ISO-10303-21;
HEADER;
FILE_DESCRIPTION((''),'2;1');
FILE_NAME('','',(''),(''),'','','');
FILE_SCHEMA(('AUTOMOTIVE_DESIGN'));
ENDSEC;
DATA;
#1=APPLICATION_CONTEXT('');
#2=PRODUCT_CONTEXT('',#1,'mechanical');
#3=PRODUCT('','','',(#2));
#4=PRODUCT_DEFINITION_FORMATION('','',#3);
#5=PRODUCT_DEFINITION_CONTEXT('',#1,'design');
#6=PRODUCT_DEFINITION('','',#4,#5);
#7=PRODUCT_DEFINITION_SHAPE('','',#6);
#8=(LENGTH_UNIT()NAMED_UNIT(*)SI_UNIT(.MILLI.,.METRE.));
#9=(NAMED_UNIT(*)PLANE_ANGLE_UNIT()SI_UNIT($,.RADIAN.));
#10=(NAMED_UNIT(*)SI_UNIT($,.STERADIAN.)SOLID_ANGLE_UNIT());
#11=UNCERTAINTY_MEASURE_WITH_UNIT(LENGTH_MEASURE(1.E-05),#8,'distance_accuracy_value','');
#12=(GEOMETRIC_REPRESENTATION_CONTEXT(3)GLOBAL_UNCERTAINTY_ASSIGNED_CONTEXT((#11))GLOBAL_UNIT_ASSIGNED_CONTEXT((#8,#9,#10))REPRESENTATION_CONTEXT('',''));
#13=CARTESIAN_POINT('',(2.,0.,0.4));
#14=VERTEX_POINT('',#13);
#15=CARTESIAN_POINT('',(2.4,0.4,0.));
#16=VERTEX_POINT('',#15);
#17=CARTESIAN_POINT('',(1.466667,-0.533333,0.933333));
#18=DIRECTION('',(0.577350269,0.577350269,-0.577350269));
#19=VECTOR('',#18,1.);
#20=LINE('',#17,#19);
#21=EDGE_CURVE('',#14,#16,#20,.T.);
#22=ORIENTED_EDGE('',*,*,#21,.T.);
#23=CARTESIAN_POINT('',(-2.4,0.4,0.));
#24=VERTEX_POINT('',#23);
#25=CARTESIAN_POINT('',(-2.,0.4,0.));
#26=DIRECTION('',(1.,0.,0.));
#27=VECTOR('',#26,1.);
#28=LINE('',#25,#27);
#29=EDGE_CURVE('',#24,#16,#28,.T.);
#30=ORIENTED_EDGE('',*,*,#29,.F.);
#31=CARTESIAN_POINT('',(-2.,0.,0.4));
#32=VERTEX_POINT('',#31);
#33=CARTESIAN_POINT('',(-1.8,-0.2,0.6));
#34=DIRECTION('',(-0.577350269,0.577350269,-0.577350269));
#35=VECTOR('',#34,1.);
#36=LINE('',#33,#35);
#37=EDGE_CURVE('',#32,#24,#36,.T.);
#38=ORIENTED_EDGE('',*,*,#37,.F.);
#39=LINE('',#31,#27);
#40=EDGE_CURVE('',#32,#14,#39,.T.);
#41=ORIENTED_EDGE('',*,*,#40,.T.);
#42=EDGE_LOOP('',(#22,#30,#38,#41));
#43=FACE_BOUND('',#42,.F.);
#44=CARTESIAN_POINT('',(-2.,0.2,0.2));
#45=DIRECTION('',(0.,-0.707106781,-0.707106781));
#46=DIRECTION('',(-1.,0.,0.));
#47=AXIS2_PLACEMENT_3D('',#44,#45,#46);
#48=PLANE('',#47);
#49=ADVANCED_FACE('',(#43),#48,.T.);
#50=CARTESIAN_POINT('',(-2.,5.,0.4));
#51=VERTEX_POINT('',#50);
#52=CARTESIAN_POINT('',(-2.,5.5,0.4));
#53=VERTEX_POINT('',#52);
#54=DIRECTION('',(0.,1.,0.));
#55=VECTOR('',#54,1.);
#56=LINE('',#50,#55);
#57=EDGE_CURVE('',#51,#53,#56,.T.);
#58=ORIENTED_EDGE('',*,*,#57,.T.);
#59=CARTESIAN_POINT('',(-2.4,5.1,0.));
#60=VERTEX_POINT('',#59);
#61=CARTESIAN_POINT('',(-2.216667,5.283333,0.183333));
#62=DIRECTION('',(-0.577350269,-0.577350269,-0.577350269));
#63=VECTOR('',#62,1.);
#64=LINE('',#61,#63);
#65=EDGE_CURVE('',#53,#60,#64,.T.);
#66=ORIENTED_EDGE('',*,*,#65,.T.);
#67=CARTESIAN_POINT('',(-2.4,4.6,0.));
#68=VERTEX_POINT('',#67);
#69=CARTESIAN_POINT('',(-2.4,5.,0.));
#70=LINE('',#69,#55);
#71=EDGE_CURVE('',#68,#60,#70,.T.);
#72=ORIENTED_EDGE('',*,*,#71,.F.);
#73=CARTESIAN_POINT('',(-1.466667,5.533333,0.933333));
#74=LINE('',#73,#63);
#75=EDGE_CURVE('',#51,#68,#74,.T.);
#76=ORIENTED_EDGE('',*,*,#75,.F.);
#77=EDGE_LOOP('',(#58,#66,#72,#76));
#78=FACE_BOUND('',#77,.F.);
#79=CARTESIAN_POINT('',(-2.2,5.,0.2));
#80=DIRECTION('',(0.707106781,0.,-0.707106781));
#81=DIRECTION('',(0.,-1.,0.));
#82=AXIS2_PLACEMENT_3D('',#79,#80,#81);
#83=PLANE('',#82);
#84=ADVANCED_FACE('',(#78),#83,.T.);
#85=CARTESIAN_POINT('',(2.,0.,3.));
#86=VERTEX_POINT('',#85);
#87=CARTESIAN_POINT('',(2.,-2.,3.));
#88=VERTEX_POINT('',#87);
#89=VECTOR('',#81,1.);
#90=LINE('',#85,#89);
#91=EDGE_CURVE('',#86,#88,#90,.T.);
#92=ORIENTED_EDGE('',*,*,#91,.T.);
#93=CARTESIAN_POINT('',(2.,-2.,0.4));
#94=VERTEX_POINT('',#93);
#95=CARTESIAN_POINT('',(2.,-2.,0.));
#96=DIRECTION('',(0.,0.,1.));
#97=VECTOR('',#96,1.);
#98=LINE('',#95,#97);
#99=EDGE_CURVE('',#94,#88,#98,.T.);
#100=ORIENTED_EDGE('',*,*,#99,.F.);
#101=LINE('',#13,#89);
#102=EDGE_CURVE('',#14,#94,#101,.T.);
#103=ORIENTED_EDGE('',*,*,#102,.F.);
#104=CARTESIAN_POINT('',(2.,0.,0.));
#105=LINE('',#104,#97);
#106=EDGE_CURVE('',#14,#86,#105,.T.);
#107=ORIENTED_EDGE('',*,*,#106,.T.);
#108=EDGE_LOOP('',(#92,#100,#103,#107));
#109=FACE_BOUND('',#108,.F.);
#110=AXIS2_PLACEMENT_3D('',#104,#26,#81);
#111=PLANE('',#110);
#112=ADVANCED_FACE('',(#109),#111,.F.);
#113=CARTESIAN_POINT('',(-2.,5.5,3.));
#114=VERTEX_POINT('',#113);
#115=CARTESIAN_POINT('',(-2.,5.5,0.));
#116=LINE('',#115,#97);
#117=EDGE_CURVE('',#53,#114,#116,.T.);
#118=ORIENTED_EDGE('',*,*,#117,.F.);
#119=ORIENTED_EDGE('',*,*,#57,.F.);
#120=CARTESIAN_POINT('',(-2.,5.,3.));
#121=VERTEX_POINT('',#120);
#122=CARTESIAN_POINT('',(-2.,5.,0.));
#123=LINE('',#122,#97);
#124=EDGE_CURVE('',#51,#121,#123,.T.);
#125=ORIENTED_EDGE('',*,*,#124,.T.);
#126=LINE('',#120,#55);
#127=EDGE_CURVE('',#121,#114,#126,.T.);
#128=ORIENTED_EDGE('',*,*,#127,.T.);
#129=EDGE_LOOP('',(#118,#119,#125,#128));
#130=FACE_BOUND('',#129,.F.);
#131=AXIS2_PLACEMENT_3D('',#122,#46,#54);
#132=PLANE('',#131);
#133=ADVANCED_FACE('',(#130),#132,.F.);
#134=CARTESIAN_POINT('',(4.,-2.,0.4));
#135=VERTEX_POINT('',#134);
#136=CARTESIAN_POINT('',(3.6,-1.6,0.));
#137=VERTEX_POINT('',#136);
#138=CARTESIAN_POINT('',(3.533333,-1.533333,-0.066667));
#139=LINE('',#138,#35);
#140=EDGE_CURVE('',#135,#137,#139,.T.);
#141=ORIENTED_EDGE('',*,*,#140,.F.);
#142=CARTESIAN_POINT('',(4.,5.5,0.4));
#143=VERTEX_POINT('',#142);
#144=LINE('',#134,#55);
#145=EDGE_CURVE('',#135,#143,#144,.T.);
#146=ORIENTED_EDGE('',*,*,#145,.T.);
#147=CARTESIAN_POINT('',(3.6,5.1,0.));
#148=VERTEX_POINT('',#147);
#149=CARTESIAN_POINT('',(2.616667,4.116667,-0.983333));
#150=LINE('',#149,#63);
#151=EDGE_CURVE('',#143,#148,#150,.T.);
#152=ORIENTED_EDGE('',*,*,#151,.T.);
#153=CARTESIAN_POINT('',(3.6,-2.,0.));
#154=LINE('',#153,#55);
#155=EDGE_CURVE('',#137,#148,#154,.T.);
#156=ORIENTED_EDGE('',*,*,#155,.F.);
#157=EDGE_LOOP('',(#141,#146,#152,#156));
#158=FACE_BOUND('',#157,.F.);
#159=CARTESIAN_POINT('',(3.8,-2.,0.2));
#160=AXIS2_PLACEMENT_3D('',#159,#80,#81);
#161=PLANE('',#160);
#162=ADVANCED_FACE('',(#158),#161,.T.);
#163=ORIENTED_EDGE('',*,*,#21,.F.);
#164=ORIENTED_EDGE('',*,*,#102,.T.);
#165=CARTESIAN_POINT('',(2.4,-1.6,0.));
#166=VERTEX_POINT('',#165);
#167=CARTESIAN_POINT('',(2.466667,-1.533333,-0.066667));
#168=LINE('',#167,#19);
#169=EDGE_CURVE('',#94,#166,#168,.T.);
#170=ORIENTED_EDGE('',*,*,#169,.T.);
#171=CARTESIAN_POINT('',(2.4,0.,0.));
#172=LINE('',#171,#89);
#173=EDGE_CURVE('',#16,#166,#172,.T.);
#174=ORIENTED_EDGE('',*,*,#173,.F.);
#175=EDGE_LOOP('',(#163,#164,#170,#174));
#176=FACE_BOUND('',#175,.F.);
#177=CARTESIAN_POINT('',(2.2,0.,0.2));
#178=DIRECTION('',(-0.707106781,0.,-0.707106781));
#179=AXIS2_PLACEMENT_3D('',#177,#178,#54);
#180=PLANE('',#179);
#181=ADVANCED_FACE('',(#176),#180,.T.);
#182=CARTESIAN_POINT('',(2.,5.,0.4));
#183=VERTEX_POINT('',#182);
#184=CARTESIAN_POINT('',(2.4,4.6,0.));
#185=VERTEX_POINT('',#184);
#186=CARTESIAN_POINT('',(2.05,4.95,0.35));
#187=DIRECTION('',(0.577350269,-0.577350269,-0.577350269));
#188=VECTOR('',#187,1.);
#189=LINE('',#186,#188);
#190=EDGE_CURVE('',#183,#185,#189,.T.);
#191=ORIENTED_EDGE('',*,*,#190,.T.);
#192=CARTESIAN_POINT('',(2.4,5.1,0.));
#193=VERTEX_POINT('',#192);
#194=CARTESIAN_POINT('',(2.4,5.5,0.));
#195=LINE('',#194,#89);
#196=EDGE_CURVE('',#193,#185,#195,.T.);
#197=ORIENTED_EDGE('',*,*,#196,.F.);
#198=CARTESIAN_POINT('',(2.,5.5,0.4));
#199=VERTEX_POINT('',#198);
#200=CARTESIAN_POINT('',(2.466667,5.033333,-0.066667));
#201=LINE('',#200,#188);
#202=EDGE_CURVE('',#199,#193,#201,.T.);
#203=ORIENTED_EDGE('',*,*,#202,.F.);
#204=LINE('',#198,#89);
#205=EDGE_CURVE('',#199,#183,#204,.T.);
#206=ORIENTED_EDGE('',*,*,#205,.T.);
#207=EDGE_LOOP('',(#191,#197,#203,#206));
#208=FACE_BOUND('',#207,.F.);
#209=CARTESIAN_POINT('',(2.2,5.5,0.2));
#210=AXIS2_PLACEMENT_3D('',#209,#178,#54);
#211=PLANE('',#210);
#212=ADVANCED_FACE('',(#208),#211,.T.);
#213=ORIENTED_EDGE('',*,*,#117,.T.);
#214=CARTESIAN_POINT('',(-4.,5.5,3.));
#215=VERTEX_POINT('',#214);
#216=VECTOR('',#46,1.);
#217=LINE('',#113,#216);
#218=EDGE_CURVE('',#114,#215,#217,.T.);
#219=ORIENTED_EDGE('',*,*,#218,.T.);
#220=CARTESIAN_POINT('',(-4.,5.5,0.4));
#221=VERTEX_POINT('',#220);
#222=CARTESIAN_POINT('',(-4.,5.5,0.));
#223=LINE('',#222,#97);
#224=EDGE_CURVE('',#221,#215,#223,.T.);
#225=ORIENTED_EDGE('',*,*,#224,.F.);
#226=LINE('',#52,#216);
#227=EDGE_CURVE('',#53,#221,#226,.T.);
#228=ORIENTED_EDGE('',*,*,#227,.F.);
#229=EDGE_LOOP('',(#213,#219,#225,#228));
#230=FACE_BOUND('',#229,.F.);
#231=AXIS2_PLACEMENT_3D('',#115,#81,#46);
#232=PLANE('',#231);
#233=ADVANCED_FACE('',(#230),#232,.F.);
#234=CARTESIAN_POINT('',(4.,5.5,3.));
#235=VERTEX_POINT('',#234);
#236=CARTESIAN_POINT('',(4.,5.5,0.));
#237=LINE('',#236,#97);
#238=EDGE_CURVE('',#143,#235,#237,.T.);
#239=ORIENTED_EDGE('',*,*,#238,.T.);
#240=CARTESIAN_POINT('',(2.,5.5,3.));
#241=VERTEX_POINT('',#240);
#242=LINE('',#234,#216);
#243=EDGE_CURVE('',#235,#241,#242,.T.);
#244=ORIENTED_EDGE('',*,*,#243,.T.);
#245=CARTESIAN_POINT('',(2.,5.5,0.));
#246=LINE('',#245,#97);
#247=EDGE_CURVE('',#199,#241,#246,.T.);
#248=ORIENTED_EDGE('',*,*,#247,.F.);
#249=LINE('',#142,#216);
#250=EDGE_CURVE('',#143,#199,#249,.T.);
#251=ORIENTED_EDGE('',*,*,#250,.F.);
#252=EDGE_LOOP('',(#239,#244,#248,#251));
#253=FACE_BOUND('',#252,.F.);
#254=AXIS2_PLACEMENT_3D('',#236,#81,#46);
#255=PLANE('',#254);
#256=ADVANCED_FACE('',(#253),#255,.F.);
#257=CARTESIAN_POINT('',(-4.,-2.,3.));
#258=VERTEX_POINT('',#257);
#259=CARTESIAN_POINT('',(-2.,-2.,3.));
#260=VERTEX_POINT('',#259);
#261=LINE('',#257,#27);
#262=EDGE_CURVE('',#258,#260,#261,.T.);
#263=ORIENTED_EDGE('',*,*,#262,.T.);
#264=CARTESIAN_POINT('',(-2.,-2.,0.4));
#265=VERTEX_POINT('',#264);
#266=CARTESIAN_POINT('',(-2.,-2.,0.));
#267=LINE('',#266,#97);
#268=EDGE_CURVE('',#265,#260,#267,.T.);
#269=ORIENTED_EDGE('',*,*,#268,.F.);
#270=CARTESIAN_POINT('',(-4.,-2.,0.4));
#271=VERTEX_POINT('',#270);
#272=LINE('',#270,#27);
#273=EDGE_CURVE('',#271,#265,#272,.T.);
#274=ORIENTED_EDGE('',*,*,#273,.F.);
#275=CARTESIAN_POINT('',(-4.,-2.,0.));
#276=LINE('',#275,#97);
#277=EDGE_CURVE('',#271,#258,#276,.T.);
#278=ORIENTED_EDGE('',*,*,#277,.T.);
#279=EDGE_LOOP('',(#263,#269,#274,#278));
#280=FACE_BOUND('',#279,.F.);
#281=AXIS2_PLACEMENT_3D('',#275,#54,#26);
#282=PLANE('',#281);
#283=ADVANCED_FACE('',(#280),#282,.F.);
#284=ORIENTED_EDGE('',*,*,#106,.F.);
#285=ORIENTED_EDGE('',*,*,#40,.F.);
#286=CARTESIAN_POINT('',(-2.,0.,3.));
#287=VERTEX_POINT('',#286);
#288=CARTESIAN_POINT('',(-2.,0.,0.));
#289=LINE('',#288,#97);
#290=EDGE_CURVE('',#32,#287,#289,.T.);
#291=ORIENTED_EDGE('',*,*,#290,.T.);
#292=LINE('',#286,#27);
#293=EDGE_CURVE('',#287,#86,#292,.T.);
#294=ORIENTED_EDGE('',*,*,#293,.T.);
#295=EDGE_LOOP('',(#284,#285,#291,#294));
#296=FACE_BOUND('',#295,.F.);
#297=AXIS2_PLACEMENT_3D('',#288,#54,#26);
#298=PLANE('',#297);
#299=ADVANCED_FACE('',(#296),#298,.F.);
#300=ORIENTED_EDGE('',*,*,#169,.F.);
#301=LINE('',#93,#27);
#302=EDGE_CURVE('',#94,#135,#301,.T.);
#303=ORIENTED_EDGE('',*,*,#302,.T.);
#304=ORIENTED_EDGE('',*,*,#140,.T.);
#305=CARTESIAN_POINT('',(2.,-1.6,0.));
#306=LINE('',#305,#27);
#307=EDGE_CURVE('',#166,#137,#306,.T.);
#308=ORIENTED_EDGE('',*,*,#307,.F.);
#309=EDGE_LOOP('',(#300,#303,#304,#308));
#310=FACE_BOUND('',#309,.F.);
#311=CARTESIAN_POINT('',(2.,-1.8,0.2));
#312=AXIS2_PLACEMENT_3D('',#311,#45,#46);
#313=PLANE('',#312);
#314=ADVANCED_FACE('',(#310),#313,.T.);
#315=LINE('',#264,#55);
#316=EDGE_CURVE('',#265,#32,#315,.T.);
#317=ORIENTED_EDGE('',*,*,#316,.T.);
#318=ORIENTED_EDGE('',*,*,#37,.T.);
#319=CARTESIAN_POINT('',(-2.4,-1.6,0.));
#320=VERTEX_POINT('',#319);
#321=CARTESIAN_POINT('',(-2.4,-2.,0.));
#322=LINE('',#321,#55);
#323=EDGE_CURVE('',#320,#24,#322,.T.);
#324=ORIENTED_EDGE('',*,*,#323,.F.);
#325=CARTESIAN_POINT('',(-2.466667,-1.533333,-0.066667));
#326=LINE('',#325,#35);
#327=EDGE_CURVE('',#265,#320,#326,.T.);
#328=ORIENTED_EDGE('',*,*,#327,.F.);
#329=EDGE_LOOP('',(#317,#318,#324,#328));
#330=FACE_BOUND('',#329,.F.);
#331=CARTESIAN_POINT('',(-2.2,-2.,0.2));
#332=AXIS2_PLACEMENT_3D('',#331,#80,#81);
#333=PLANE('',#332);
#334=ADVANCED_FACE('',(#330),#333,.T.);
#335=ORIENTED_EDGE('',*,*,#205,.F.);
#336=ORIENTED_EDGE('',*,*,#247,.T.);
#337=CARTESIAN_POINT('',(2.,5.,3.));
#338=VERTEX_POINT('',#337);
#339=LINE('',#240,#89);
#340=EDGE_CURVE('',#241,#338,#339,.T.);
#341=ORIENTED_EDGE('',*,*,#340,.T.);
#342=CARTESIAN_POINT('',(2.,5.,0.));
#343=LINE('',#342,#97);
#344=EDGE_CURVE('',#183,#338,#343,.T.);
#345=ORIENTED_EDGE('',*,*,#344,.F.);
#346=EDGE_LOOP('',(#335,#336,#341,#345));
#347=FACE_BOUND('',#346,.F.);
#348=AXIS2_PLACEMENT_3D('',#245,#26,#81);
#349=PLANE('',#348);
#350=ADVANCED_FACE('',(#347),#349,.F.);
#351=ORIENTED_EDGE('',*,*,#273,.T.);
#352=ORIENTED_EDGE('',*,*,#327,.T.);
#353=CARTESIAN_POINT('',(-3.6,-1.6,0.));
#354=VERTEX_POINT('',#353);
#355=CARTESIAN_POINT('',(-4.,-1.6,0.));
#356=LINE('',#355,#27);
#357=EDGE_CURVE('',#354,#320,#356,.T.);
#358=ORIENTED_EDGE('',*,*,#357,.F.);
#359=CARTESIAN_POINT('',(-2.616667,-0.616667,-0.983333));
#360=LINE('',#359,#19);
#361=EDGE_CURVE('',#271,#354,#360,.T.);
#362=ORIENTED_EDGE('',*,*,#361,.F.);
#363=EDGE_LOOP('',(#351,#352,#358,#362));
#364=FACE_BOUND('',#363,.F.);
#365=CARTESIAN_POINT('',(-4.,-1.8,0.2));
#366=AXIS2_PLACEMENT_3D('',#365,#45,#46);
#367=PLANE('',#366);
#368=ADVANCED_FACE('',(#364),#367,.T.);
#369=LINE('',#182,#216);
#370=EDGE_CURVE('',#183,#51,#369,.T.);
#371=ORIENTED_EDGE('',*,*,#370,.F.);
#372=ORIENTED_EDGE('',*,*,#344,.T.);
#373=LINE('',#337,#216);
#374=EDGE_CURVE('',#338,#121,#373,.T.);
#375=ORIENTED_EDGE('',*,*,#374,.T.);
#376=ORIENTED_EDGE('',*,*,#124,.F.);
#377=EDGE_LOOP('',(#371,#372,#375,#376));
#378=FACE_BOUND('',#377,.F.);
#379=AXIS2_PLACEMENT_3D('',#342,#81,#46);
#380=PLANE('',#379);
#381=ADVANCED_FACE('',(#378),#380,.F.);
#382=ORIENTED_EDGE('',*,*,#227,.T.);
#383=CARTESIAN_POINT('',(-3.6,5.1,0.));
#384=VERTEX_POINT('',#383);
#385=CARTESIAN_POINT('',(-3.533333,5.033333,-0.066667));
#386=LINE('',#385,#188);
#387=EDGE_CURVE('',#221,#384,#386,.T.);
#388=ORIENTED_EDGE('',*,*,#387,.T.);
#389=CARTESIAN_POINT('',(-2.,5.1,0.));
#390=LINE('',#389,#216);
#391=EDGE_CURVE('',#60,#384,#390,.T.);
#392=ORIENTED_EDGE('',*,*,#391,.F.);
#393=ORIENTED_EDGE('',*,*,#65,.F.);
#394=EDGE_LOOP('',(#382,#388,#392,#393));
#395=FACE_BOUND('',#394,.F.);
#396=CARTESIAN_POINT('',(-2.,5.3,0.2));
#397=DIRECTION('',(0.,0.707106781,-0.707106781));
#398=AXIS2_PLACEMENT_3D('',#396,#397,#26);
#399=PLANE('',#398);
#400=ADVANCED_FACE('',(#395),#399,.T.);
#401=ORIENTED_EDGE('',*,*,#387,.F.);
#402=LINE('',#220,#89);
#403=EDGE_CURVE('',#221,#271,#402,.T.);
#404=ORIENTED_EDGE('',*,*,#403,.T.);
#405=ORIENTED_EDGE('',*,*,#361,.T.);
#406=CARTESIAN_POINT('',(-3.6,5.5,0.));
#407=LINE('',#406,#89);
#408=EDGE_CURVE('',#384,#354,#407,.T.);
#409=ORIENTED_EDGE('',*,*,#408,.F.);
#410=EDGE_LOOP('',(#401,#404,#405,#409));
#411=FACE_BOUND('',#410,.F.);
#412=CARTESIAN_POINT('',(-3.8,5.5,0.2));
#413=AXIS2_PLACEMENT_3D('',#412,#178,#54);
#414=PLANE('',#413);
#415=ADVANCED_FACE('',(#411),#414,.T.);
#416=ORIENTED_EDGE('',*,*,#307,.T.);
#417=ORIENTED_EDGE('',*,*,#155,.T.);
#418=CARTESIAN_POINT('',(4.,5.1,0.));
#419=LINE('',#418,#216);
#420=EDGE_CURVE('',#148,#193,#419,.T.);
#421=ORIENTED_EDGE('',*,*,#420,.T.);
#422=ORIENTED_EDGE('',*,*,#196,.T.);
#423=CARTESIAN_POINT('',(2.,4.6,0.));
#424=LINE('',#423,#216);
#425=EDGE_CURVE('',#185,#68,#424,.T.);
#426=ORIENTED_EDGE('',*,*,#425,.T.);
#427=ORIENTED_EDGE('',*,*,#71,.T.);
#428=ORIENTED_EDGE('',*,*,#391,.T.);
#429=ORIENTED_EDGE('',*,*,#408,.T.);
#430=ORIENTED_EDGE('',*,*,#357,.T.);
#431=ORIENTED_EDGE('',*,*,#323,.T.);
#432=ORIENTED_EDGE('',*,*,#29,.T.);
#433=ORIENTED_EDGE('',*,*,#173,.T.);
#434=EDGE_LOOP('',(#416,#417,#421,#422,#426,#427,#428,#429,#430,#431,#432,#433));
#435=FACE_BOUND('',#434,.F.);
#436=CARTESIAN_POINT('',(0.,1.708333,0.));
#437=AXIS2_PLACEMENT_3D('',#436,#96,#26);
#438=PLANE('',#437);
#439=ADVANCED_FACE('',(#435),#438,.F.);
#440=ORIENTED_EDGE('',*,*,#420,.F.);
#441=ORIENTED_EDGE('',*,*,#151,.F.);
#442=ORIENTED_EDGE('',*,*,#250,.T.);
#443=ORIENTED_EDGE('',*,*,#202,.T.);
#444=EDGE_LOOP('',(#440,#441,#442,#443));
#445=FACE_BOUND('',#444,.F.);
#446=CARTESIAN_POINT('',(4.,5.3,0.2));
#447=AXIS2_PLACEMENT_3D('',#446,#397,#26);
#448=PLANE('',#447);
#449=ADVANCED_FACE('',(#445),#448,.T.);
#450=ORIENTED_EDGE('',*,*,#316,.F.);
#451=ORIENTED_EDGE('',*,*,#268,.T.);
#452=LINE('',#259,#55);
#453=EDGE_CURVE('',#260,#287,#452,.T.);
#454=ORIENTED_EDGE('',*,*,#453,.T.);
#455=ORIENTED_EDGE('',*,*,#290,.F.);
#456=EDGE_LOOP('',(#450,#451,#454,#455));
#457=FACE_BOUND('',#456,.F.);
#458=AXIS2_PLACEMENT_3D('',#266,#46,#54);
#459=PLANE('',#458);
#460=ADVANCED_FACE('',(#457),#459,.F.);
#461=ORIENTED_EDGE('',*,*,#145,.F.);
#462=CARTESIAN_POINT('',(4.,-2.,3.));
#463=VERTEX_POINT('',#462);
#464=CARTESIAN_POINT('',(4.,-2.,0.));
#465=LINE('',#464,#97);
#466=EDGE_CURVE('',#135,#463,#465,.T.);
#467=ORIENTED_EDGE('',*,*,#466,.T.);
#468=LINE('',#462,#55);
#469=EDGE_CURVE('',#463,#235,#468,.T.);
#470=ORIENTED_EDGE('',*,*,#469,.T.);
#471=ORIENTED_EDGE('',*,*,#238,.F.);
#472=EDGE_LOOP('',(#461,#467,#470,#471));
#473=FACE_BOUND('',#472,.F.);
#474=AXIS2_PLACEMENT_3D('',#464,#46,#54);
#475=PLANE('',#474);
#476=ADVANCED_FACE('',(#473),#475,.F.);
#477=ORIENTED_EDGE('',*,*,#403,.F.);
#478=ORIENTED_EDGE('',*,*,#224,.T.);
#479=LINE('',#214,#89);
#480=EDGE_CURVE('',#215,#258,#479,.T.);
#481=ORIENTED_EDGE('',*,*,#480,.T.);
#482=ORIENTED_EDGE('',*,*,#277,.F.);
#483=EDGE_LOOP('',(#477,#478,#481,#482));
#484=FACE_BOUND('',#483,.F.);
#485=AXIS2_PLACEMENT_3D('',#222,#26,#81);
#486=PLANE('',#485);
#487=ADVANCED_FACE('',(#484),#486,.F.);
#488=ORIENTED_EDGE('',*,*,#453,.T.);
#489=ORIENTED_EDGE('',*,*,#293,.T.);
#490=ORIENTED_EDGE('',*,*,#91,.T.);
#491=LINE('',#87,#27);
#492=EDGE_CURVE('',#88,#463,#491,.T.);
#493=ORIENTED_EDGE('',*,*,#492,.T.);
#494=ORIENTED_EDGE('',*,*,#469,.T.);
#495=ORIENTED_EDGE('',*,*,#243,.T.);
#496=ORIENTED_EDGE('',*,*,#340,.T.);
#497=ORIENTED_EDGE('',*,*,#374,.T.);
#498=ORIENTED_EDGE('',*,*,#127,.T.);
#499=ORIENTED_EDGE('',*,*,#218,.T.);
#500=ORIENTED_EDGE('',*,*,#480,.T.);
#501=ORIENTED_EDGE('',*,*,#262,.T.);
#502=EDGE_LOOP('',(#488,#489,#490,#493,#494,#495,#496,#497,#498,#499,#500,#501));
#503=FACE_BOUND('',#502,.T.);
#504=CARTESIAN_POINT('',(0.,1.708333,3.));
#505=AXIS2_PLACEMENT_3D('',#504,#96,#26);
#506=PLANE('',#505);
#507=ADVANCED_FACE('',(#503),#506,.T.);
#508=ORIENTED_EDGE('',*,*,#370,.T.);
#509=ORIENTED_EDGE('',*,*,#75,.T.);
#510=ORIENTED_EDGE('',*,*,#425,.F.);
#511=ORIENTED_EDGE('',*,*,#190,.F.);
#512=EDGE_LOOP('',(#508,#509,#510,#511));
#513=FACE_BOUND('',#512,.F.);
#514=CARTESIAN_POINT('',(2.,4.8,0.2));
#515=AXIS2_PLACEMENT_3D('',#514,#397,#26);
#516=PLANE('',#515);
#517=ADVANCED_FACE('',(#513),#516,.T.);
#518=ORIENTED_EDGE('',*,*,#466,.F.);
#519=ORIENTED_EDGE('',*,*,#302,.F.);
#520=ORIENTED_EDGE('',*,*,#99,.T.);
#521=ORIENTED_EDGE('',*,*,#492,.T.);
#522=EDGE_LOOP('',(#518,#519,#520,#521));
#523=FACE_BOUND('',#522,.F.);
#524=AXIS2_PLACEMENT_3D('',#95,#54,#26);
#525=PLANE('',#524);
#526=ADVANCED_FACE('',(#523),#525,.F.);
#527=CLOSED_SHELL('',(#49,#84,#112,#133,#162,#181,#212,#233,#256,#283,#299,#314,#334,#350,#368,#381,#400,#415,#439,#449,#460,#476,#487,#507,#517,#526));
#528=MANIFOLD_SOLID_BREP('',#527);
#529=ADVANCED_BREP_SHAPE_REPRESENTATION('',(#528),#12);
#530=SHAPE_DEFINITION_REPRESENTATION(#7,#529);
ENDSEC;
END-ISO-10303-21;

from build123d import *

# Parameters (mm, degrees)
PAD_DEPTH    = 3
CHAMFER_SIZE = 0.4


with BuildPart() as part:
    # Sketch → Pad (new body)
    with BuildSketch(Plane.XY):
        Polygon((-2, -2), (-2, 0), (2, 0), (2, -2), (4, -2), (4, 5.5), (2, 5.5), (2, 5), (-2, 5), (-2, 5.5), (-4, 5.5), (-4, -2), align=None)
    extrude(amount=PAD_DEPTH)

    # Chamfer
    chamfer_edges = [part.edges().sort_by_distance(p)[0] for p in [
        (-4, 1.75, 0),
        (-3, -2, 0),
        (-2, -1, 0),
        (0, 0, 0),
        (2, -1, 0),
        (3, -2, 0),
        (4, 1.75, 0),
        (3, 5.5, 0),
        (2, 5.25, 0),
        (0, 5, 0),
        (-2, 5.25, 0),
        (-3, 5.5, 0),
    ]]
    chamfer(chamfer_edges, length=CHAMFER_SIZE)


solid = part.part
